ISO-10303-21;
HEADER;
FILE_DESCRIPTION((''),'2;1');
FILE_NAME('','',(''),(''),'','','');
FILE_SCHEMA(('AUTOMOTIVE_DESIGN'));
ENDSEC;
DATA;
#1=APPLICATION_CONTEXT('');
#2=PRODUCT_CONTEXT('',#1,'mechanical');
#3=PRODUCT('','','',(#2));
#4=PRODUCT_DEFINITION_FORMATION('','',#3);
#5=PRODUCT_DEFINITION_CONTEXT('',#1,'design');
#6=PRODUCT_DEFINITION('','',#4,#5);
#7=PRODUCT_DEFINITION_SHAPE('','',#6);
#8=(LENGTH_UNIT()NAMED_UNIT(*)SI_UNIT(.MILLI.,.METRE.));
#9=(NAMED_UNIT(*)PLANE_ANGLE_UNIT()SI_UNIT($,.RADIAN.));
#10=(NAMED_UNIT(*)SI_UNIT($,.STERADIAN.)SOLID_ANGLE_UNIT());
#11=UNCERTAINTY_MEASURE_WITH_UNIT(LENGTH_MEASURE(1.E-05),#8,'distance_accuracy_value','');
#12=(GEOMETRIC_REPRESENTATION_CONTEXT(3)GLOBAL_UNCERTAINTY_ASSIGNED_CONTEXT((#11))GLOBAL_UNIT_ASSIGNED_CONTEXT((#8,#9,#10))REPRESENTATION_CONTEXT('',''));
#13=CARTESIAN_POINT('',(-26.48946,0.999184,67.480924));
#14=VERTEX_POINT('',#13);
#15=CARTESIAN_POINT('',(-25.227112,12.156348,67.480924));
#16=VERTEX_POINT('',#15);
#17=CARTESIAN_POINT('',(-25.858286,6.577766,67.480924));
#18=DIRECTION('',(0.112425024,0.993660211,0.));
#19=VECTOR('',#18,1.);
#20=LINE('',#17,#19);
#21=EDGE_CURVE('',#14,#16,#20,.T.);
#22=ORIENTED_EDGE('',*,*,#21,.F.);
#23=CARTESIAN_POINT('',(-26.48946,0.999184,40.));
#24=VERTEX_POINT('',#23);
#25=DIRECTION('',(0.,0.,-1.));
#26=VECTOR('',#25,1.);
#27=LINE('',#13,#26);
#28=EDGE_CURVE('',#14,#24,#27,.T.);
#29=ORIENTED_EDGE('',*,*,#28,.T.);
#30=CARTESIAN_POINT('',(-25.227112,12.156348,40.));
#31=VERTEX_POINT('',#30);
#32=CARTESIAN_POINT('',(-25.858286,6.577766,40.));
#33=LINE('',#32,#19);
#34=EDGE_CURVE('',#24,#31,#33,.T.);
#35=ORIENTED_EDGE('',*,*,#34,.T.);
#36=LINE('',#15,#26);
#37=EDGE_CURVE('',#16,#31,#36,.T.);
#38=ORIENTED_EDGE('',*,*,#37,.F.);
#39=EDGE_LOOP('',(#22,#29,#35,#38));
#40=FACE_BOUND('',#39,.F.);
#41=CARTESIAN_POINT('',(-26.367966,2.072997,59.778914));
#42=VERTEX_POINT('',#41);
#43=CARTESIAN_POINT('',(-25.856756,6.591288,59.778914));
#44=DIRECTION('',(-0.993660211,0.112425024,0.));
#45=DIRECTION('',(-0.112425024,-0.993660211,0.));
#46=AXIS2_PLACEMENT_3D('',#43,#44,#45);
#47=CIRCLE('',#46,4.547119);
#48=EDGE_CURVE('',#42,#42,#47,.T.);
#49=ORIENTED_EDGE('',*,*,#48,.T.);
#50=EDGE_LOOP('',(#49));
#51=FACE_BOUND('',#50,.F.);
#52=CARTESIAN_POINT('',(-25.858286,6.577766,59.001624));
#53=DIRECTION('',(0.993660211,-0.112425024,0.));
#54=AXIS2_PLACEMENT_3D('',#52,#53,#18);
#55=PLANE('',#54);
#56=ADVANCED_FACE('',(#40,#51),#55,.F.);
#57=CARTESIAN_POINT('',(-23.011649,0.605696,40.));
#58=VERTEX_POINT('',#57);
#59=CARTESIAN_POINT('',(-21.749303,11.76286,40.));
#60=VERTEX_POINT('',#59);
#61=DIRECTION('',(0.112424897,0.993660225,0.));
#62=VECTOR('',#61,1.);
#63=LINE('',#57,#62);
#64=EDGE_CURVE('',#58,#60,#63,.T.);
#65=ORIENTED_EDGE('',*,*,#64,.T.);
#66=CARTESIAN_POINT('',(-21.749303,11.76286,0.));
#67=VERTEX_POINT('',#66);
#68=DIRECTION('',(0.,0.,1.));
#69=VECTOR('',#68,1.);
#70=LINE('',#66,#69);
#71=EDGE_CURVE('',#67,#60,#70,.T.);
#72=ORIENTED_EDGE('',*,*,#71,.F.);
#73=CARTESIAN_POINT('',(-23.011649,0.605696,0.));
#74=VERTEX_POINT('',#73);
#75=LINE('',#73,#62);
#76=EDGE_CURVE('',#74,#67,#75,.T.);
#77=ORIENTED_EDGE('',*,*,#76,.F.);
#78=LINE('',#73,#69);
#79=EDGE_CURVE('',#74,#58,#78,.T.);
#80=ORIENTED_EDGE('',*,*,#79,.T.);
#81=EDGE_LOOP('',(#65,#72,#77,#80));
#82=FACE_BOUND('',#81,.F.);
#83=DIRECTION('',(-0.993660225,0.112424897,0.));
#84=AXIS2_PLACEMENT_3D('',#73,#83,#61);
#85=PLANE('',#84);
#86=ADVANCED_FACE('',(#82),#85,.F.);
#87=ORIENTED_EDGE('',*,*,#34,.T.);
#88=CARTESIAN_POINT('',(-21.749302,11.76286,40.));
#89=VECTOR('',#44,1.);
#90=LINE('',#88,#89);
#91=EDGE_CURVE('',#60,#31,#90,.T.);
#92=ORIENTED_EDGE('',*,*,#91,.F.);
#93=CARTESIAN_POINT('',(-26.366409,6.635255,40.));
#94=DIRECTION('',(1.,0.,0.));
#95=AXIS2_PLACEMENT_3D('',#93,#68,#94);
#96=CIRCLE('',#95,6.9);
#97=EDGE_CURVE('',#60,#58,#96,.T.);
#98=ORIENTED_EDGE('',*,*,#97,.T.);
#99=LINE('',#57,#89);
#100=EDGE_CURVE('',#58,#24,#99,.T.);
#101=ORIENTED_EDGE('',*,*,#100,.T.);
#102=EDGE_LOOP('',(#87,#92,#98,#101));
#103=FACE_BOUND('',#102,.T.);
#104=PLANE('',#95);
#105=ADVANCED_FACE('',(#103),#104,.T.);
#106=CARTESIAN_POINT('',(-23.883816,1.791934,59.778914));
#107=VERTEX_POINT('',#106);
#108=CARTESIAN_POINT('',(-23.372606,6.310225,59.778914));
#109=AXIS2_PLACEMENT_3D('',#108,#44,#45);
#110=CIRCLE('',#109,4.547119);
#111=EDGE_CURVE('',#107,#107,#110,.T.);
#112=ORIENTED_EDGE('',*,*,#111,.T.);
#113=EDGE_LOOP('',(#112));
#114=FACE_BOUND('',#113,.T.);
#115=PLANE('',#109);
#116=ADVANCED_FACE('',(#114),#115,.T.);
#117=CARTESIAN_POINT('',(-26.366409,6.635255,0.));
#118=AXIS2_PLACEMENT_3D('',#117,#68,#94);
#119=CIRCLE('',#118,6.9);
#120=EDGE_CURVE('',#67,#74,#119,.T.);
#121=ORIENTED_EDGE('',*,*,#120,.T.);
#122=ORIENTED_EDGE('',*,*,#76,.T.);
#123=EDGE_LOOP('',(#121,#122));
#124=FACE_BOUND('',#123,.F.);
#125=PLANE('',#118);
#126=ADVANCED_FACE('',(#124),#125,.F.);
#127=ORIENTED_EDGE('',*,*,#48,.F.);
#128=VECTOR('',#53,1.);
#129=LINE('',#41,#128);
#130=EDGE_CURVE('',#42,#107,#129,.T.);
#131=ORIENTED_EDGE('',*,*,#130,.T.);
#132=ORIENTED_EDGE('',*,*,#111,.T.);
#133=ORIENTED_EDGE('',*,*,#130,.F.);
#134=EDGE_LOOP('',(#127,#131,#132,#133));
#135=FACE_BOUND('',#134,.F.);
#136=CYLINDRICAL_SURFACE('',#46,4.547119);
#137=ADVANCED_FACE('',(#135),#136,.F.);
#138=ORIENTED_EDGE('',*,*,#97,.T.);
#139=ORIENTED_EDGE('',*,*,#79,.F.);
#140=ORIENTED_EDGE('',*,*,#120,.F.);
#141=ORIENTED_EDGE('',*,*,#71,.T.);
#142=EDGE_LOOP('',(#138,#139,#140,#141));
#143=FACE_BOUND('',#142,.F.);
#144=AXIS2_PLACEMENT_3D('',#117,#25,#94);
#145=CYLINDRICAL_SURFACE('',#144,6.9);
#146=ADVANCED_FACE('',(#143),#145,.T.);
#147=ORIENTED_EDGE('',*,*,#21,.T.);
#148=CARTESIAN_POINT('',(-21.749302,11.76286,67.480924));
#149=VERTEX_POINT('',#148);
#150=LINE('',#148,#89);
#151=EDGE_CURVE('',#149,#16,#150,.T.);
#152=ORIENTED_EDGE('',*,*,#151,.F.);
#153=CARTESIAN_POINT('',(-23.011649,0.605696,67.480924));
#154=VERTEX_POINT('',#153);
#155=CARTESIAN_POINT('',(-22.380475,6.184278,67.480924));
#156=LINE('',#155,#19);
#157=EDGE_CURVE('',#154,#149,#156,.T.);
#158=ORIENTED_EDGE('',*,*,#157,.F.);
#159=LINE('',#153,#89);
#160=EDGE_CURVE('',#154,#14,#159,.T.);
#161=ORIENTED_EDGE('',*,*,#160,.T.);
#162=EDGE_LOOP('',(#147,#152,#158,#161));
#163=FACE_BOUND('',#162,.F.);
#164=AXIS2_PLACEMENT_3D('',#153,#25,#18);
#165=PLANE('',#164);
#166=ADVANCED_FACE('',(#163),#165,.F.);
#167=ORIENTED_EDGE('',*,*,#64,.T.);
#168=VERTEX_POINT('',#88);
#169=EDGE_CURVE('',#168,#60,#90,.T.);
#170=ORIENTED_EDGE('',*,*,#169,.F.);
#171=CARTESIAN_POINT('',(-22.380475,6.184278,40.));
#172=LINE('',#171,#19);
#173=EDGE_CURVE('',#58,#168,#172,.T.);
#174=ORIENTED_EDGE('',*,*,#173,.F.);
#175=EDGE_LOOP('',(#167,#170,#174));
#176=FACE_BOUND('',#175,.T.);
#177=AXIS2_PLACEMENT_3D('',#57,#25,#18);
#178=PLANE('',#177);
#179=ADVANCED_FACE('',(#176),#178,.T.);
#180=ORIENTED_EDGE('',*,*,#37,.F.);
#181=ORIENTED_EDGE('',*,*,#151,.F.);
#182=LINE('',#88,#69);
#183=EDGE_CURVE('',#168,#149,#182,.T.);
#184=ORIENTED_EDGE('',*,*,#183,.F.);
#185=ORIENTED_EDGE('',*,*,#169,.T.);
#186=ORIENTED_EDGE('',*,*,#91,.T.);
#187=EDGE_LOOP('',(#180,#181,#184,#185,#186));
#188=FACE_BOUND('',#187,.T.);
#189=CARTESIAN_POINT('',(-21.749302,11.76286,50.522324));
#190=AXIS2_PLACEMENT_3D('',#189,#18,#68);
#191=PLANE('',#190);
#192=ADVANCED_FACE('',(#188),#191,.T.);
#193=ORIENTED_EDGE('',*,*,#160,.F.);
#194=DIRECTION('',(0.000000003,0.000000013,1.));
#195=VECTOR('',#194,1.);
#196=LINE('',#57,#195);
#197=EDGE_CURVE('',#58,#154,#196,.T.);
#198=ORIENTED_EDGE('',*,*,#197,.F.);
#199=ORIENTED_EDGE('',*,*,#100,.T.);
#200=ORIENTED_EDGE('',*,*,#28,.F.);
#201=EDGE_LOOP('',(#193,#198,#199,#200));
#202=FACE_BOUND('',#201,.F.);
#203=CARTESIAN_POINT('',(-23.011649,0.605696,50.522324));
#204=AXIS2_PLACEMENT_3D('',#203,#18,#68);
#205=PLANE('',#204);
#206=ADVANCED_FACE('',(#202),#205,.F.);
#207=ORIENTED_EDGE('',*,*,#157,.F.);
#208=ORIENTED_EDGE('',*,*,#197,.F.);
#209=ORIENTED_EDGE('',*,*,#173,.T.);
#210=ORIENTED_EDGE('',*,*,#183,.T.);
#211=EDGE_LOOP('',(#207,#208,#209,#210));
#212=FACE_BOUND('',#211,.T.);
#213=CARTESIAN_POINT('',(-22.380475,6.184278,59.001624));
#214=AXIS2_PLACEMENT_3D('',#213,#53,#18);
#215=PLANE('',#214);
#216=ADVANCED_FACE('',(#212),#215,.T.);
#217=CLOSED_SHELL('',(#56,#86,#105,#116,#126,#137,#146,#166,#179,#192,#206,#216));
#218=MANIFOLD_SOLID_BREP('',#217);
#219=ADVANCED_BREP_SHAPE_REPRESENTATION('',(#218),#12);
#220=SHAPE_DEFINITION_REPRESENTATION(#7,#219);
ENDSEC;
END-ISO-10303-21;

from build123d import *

# Parameters (mm, degrees)
F0_R     = 6.9
F1_DEPTH = 40
F3_DEPTH = 40
F4_W     = 11.228349
F4_H     = 10.522324
F5_DEPTH = 3.5
F6_W     = 11.228349
F6_H     = 16.9586
F7_DEPTH = 3.5
F8_R     = 4.547119
F9_DEPTH = 2.5


with BuildPart() as f1:
    # F0 (on Top) → F1 (new body)
    with BuildSketch(Plane.XY):
        with Locations((-26.366409, 6.635255)):
            Circle(F0_R)
    extrude(amount=F1_DEPTH)

    # F2 (on face) → F3 (cut)
    with BuildSketch(Plane(origin=(0, 0, 0), x_dir=(1, 0, 0), z_dir=(0, 0, -1))):
        Polygon((-17.36803, 0.397698), (-23.011649, -0.605696), (-21.749303, -11.76286), (-16.136123, -11.266587), align=None)
    extrude(amount=-F3_DEPTH, mode=Mode.SUBTRACT)

    # F4 (on face) → F5 (join)
    with BuildSketch(Plane(origin=(-22.78846, 2.578335, 0), x_dir=(0.112425, 0.99366, 0), z_dir=(0.99366, -0.112425, 0))):
        with Locations((3.62895, 45.261162)):
            Rectangle(F4_W, F4_H)
    extrude(amount=-F5_DEPTH)

    # F6 (on face) → F7 (join)
    with BuildSketch(Plane(origin=(-22.78846, 2.578335, 0), x_dir=(0.112425, 0.99366, 0), z_dir=(0.99366, -0.112425, 0))):
        with Locations((3.62895, 59.001624)):
            Rectangle(F6_W, F6_H)
    extrude(amount=-F7_DEPTH)

    # F8 (on face) → F9 (cut)
    with BuildSketch(Plane(origin=(-26.266271, 2.971822, 0), x_dir=(-0.112425, -0.99366, 0), z_dir=(-0.99366, 0.112425, 0))):
        with Locations((-3.642559, 59.778914)):
            Circle(F8_R)
    extrude(amount=-F9_DEPTH, mode=Mode.SUBTRACT)


solid = f1.part
